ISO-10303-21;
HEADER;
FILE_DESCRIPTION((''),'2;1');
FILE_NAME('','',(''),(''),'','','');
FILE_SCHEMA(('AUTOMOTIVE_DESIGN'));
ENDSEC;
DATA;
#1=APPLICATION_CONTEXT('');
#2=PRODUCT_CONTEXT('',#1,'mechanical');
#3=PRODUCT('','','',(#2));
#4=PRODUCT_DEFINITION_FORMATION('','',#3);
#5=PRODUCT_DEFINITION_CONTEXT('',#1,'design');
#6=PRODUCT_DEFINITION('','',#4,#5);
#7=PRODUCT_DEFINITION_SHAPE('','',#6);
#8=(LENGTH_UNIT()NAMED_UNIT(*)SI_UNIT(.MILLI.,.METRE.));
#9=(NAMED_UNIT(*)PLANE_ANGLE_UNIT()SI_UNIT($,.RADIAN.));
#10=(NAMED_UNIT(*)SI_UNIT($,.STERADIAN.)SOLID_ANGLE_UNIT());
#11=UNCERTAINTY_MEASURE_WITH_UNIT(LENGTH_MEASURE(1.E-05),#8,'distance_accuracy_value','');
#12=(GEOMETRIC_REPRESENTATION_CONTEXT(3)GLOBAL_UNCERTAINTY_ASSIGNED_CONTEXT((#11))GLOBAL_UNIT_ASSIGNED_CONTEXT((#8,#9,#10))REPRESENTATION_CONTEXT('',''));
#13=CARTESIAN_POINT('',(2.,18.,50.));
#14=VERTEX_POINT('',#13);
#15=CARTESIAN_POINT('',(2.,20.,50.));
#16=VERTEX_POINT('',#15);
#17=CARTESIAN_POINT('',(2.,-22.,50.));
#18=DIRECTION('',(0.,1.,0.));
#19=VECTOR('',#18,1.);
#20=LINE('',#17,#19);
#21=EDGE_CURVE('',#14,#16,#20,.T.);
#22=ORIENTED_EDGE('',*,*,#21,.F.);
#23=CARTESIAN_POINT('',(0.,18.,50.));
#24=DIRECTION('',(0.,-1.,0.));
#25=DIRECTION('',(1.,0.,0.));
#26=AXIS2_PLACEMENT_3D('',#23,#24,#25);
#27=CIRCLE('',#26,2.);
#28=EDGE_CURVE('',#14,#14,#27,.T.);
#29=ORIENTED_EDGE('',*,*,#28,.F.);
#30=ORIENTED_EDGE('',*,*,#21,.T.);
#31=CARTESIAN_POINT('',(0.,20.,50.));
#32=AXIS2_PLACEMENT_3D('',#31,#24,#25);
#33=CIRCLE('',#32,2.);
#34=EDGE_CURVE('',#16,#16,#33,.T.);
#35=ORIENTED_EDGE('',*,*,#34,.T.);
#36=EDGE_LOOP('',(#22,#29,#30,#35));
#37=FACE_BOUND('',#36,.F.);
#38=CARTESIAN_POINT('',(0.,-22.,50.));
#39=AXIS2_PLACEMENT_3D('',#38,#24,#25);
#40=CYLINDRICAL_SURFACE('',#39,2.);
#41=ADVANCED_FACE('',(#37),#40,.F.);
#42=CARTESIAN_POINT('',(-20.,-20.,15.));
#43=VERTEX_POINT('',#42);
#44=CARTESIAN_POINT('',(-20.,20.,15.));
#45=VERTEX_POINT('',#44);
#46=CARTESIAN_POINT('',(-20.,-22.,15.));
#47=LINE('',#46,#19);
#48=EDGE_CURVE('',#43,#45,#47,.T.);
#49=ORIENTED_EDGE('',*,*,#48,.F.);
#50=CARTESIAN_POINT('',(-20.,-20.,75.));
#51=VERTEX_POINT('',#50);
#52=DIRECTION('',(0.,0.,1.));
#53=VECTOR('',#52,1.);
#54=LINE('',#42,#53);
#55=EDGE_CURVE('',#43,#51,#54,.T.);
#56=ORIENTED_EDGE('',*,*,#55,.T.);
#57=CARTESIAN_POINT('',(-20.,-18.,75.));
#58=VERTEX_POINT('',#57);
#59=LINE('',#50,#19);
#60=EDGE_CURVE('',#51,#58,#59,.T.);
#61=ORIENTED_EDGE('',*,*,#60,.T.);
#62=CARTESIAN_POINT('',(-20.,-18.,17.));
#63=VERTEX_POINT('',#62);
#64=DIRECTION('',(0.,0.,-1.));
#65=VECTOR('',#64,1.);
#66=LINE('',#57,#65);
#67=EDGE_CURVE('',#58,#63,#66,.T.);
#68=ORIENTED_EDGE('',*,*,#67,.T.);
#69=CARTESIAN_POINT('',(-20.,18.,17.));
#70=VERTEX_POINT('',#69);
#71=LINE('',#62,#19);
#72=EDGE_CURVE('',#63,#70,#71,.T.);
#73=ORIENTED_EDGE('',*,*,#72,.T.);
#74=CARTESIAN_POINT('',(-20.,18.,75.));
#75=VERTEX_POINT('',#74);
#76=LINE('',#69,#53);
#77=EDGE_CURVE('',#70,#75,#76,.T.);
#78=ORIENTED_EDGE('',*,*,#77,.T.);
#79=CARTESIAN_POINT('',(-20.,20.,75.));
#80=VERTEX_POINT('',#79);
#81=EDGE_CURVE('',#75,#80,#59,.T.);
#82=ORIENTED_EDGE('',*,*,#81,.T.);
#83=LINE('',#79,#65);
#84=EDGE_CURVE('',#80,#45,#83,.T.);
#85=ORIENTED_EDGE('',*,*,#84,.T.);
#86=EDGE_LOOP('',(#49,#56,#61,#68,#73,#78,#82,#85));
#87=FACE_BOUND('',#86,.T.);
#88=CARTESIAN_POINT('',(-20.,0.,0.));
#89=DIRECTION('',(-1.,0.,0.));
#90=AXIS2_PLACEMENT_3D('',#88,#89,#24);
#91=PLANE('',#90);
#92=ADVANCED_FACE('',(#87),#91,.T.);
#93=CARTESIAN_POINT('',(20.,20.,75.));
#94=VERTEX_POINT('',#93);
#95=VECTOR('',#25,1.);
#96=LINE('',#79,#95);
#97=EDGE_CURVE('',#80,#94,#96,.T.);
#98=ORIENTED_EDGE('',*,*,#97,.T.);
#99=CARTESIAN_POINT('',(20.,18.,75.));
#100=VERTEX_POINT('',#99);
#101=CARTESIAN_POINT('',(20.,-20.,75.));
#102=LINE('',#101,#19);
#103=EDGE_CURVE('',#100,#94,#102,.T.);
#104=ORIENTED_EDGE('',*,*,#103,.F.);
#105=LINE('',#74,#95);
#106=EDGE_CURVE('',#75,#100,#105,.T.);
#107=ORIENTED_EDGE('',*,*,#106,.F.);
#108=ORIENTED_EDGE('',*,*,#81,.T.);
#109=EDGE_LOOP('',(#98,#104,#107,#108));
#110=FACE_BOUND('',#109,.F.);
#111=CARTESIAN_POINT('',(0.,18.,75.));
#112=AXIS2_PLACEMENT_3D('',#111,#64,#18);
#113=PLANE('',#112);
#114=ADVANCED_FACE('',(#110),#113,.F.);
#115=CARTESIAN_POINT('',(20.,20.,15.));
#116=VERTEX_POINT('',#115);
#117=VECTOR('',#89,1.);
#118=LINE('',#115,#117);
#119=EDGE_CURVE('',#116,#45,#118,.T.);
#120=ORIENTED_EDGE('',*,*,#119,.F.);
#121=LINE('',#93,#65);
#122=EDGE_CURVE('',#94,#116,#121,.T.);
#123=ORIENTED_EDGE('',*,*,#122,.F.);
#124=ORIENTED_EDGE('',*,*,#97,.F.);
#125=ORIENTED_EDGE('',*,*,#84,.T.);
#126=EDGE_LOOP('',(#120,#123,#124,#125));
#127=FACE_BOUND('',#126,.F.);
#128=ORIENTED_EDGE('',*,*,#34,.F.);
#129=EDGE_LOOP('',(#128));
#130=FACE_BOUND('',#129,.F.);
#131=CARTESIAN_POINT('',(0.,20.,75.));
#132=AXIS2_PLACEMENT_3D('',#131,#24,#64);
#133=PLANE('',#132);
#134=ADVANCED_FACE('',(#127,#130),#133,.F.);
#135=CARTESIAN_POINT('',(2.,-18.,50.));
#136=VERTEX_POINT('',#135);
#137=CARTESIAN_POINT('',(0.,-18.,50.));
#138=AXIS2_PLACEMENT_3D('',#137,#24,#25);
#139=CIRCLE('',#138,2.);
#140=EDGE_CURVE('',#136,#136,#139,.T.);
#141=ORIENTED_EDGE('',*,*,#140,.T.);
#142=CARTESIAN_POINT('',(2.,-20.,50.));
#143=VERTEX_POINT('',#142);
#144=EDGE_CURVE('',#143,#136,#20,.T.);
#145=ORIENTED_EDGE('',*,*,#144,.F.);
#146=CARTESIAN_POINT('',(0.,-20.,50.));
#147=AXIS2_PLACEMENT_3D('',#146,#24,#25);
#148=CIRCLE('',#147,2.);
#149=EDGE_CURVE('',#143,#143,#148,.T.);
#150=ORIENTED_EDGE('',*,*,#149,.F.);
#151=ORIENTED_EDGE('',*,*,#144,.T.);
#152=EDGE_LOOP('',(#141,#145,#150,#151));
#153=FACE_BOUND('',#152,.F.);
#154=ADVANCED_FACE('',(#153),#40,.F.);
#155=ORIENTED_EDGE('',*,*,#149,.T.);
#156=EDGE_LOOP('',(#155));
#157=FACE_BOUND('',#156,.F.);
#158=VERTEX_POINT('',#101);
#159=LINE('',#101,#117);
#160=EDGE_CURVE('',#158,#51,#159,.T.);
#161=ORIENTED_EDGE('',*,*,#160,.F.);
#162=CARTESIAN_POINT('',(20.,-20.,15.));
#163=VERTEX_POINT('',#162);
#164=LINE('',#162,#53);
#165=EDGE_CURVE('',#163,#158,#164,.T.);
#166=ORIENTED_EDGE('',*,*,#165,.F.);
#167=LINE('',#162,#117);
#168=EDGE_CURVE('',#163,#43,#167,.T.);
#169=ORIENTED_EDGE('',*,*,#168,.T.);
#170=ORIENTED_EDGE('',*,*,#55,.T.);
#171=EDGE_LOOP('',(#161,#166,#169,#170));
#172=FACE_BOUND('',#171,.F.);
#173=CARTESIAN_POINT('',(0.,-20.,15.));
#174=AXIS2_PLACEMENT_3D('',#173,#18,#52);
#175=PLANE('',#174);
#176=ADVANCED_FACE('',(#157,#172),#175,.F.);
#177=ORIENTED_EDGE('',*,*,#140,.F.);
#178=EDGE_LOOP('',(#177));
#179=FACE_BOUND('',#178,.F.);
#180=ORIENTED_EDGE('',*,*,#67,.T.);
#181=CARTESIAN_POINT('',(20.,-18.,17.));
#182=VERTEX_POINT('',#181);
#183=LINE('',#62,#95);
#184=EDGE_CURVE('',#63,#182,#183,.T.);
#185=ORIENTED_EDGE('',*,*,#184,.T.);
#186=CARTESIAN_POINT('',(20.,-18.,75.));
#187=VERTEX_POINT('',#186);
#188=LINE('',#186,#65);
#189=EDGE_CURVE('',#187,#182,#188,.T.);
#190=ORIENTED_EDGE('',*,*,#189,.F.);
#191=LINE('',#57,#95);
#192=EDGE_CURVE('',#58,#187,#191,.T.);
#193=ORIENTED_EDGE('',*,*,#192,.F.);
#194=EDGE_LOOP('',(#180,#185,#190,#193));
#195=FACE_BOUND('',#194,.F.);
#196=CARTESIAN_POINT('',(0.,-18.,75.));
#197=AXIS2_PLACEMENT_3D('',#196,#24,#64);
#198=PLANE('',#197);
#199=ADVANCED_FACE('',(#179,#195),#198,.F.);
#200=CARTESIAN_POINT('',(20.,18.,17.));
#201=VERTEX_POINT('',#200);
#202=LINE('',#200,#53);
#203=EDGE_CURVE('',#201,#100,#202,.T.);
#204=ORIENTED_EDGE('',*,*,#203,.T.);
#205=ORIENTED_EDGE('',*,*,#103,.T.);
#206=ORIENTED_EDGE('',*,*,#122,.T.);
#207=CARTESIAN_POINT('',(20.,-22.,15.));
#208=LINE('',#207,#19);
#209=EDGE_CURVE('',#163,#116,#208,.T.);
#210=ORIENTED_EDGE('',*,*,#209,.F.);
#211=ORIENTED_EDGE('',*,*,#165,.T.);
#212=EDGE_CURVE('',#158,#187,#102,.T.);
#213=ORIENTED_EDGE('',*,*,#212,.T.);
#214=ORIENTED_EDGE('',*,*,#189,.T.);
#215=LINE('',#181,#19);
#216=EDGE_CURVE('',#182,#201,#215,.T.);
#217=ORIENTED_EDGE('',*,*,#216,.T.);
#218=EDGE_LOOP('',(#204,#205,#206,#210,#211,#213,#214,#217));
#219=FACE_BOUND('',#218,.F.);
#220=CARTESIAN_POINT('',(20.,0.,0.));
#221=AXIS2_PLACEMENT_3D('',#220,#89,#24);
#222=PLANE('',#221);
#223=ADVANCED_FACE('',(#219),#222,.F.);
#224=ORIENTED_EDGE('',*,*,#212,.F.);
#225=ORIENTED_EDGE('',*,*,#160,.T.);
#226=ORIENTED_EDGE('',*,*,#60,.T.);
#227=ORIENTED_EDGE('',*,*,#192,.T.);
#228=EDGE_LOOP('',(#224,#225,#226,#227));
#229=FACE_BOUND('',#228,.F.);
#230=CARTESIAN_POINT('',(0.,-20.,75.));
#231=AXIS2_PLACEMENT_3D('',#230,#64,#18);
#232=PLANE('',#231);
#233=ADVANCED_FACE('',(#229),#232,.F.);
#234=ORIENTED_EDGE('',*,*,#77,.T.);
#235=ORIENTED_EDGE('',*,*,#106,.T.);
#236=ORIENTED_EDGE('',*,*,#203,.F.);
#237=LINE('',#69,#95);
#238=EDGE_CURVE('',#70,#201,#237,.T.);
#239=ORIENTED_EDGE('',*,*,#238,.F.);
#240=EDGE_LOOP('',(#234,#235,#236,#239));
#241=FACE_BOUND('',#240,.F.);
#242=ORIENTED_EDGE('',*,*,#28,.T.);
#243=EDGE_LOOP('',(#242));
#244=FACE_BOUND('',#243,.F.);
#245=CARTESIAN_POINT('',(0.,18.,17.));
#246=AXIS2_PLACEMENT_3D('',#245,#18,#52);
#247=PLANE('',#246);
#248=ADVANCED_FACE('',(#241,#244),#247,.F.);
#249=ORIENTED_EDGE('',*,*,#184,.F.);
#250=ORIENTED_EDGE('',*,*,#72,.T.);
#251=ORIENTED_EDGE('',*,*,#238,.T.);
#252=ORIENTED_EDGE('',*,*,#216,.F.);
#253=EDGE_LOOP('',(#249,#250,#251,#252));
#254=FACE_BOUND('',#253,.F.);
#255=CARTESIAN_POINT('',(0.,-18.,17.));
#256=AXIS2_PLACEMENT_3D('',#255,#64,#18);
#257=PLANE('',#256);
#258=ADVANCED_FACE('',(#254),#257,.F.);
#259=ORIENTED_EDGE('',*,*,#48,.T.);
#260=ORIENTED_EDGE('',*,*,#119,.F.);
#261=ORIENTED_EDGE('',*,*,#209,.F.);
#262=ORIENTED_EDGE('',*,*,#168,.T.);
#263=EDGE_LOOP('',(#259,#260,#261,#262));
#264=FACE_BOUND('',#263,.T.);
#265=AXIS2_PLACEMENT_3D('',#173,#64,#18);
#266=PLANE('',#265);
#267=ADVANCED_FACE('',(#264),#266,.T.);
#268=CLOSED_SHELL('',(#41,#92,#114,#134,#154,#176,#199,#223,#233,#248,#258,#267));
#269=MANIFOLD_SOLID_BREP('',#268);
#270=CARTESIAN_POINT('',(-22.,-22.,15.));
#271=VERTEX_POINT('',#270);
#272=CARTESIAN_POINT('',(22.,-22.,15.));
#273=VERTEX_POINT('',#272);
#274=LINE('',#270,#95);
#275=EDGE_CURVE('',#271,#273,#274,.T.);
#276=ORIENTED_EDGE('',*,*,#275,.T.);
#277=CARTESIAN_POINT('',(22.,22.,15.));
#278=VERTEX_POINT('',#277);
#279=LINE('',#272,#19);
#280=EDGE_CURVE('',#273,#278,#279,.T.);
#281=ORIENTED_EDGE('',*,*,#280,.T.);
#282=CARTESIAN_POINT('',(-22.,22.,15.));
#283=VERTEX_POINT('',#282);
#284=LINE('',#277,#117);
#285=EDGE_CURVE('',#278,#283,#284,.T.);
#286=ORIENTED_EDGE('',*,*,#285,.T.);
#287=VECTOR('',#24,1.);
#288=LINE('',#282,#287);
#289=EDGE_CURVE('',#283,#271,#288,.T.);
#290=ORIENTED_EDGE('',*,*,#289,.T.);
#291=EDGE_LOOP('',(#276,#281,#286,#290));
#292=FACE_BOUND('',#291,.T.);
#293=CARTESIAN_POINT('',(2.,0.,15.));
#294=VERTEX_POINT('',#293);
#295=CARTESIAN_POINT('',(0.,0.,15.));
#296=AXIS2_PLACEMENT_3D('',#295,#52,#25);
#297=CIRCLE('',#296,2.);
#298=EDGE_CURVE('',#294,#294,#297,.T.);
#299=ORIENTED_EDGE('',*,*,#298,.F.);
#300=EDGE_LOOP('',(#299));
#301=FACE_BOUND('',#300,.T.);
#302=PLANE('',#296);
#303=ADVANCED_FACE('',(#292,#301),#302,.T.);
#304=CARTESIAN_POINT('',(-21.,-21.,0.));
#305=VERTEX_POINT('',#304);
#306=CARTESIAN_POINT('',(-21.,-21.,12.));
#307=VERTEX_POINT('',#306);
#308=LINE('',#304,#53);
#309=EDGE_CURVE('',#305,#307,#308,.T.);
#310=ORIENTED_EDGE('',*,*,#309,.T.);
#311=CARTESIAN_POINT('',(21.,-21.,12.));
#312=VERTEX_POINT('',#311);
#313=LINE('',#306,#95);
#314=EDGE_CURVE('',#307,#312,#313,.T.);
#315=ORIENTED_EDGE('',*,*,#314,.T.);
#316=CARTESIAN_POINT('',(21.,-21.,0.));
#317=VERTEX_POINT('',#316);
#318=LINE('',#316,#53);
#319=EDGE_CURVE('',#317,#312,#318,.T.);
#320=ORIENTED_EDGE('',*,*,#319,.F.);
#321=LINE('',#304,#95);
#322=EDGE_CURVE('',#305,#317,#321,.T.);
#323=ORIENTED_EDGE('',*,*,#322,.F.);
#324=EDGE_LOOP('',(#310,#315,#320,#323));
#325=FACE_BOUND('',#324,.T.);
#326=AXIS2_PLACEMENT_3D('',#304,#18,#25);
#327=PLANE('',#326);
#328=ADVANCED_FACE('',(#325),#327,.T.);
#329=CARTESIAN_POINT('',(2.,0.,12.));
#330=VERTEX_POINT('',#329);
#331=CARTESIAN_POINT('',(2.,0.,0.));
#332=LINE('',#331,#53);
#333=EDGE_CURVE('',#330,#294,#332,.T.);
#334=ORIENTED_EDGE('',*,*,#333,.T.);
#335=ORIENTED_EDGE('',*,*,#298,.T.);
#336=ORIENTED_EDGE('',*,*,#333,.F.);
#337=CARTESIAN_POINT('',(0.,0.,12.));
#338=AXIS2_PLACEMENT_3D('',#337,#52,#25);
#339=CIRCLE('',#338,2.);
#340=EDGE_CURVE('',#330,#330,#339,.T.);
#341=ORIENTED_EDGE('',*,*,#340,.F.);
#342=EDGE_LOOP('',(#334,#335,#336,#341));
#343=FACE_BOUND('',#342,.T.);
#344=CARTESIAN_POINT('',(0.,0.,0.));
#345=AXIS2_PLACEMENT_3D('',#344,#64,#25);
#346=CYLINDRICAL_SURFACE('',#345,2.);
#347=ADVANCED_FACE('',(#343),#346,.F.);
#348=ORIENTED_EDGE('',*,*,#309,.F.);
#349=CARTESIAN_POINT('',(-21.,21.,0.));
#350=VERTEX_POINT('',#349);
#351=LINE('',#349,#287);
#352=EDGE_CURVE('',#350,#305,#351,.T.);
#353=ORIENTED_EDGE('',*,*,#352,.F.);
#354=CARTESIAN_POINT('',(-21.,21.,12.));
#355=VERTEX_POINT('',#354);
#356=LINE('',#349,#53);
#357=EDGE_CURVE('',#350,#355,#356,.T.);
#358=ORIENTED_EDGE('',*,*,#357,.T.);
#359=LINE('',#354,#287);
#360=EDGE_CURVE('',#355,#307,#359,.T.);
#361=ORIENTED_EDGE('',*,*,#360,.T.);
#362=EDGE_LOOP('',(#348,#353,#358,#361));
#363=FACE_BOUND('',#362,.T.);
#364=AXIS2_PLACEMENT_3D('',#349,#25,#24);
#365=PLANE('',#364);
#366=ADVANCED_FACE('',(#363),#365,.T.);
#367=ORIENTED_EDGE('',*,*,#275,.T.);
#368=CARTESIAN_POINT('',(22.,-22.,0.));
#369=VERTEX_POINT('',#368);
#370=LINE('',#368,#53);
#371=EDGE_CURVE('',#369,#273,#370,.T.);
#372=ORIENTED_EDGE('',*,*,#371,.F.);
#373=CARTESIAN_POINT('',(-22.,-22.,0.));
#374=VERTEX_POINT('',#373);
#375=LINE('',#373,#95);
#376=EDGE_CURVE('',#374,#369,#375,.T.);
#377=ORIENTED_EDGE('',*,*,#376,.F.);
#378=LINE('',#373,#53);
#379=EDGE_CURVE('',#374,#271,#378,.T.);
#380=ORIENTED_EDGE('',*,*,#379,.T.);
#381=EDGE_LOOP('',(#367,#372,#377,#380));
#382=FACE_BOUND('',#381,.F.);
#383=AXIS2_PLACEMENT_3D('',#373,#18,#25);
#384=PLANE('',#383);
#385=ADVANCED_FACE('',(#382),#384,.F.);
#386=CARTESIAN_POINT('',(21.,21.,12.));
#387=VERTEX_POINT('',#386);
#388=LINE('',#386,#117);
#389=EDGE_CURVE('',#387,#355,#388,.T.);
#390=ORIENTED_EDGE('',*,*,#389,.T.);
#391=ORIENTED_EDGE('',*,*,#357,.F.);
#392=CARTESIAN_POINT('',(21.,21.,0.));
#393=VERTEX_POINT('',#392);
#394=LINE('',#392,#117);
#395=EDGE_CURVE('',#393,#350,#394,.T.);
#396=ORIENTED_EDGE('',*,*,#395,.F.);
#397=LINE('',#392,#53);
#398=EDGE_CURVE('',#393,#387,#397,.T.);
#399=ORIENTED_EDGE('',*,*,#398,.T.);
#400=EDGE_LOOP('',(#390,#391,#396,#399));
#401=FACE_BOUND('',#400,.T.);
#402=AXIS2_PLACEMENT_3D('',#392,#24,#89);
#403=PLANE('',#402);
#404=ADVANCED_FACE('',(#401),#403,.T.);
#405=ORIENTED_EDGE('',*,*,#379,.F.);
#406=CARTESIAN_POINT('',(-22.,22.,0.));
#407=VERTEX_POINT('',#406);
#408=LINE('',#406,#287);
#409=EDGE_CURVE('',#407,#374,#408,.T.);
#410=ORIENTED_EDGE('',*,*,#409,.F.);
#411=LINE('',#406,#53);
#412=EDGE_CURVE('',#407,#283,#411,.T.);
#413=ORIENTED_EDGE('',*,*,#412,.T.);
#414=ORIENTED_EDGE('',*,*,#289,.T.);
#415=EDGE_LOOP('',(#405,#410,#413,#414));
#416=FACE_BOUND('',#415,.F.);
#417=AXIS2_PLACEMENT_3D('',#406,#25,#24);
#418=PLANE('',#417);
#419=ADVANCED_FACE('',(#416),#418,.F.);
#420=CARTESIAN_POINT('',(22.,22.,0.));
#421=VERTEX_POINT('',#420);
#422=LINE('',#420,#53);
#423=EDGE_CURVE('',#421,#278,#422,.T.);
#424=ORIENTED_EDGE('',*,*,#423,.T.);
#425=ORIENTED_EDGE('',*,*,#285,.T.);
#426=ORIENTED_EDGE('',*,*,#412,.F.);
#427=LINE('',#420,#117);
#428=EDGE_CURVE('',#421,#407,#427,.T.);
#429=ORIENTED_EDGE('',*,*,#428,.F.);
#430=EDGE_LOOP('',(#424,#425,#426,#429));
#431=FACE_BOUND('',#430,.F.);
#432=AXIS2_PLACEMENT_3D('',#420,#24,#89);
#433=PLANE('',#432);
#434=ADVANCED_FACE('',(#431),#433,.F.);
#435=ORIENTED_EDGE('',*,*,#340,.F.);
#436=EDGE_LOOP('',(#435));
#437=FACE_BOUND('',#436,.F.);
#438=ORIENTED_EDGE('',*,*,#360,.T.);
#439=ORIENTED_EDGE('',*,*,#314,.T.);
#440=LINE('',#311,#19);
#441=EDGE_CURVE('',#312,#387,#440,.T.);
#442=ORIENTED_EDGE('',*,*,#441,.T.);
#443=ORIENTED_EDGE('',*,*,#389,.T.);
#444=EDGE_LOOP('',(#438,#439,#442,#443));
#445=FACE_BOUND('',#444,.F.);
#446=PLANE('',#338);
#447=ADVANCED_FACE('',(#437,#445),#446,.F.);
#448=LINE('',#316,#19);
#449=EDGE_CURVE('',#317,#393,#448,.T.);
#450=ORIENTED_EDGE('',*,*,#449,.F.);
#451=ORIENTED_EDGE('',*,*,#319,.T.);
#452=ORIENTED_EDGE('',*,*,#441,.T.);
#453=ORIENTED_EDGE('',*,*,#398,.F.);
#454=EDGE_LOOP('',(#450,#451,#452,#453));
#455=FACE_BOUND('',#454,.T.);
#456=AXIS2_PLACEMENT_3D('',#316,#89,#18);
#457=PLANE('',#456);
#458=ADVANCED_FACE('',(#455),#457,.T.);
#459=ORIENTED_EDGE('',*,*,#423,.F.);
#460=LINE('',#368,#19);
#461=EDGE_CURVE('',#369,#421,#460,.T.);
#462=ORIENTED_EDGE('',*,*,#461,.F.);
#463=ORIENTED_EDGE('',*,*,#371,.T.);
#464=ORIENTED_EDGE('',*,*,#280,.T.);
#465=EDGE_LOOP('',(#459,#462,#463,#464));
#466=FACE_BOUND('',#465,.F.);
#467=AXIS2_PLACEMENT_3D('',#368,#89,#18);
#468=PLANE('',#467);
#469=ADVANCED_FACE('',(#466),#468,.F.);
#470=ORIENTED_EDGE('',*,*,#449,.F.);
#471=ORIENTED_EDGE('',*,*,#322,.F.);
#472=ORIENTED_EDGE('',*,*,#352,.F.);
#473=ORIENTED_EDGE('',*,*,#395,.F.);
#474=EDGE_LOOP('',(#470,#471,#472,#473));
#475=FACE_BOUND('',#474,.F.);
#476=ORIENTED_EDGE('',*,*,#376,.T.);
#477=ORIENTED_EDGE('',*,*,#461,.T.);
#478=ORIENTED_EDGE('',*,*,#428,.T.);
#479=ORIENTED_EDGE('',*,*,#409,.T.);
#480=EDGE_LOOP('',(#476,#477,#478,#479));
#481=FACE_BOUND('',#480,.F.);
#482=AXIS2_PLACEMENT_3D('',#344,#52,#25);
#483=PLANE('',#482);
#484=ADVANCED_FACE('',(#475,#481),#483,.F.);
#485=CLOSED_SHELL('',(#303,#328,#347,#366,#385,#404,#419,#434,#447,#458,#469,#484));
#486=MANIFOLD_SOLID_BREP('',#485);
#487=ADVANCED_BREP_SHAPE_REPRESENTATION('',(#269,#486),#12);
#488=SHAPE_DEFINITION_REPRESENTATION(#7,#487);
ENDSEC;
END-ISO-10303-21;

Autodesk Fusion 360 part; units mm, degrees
sketch "Sketch1" plane through (0, 0, 0) normal (0, 0, 1) x (1, 0, 0) in component "Base housing"
  line L0 (21, 21) -> (-21, 21)
  line L1 (-21, 21) -> (-21, -21)
  line L2 (-21, -21) -> (21, -21)
  line L3 (21, -21) -> (21, 21)
  line L4 (21, 21) -> (-21, -21) construction
  line L5 (-21, 21) -> (21, -21) construction
  line L6 (22, 22) -> (-22, 22)
  line L7 (-22, 22) -> (-22, -22)
  line L8 (-22, -22) -> (22, -22)
  line L9 (22, -22) -> (22, 22)
  line L10 (22, 22) -> (-22, -22) construction
  line L11 (-22, 22) -> (22, -22) construction
  circle A0 centre (0, 0) radius 2
  dimension "d1" = 42
  dimension "d2" = 42
  dimension "d3" = 44
  dimension "d4" = 44
  dimension "d5" = 4
extrude "Extrude1" add sketch "Sketch1" along normal blind 15 contours L0 L1 L2 L3 | L6 L7 L8 L9 makes body 1 in component "Base housing"
extrude "Extrude2" cut sketch "Sketch1" along normal blind 12 contours L0 L1 L2 L3 bodies 1 in component "Base housing"
sketch "Sketch1 (2)" plane through (-22, 0, 0) normal (-1, 0, 0) x (0, -1, 0) in component "Tilt mount"
  line L0 (-22, 0) -> (22, 0)
  line L1 (22, 0) -> (22, 15)
  line L2 (22, 15) -> (-22, 15)
  line L3 (-22, 15) -> (-22, 0)
  line L4 (-20, 15) -> (20, 15)
  line L5 (20, 15) -> (20, 75)
  line L6 (20, 75) -> (-20, 75)
  line L7 (-20, 75) -> (-20, 15)
  line L8 (-18, 75) -> (18, 75)
  line L9 (18, 75) -> (18, 17)
  line L10 (18, 17) -> (-18, 17)
  line L11 (-18, 17) -> (-18, 75)
  dimension "d10" = 40
  dimension "d11" = 60
  dimension "d12" = 36
  dimension "d13" = 58
extrude "Extrude1'" add sketch "Sketch1 (2)" along normal mid plane 40 from surface at -22 separate body contours L2 L4 L5 L6 L7 L9 L10 L11 makes body 2 in component "Tilt mount"
sketch "Sketch2" plane through (0, -22, 0) normal (0, -1, 0) x (1, 0, 0) in component "Tilt mount"
  line L0 (-22, 0) -> (22, 0)
  line L1 (22, 0) -> (22, 15)
  line L2 (22, 15) -> (-22, 15)
  line L3 (-22, 15) -> (-22, 0)
  line L4 (0, 75) -> (0, 70) construction
  line L5 (0, 70) -> (0, 50) construction
  circle A0 centre (0, 50) radius 2
  dimension "d17" = 5
  dimension "d18" = 20
  dimension "d19" = 4
extrude "Extrude2'" cut sketch "Sketch2" against normal blind 44 contours A0 bodies 2 in component "Tilt mount"
component "Base housing" placed x (1, 0, 0) y (0, 1, 0) z (0, 0, 1) at (0, 0, 0)
component "Tilt mount" placed x (1, 0, 0) y (0, 1, 0) z (0, 0, 1) at (0, 0, 0)
